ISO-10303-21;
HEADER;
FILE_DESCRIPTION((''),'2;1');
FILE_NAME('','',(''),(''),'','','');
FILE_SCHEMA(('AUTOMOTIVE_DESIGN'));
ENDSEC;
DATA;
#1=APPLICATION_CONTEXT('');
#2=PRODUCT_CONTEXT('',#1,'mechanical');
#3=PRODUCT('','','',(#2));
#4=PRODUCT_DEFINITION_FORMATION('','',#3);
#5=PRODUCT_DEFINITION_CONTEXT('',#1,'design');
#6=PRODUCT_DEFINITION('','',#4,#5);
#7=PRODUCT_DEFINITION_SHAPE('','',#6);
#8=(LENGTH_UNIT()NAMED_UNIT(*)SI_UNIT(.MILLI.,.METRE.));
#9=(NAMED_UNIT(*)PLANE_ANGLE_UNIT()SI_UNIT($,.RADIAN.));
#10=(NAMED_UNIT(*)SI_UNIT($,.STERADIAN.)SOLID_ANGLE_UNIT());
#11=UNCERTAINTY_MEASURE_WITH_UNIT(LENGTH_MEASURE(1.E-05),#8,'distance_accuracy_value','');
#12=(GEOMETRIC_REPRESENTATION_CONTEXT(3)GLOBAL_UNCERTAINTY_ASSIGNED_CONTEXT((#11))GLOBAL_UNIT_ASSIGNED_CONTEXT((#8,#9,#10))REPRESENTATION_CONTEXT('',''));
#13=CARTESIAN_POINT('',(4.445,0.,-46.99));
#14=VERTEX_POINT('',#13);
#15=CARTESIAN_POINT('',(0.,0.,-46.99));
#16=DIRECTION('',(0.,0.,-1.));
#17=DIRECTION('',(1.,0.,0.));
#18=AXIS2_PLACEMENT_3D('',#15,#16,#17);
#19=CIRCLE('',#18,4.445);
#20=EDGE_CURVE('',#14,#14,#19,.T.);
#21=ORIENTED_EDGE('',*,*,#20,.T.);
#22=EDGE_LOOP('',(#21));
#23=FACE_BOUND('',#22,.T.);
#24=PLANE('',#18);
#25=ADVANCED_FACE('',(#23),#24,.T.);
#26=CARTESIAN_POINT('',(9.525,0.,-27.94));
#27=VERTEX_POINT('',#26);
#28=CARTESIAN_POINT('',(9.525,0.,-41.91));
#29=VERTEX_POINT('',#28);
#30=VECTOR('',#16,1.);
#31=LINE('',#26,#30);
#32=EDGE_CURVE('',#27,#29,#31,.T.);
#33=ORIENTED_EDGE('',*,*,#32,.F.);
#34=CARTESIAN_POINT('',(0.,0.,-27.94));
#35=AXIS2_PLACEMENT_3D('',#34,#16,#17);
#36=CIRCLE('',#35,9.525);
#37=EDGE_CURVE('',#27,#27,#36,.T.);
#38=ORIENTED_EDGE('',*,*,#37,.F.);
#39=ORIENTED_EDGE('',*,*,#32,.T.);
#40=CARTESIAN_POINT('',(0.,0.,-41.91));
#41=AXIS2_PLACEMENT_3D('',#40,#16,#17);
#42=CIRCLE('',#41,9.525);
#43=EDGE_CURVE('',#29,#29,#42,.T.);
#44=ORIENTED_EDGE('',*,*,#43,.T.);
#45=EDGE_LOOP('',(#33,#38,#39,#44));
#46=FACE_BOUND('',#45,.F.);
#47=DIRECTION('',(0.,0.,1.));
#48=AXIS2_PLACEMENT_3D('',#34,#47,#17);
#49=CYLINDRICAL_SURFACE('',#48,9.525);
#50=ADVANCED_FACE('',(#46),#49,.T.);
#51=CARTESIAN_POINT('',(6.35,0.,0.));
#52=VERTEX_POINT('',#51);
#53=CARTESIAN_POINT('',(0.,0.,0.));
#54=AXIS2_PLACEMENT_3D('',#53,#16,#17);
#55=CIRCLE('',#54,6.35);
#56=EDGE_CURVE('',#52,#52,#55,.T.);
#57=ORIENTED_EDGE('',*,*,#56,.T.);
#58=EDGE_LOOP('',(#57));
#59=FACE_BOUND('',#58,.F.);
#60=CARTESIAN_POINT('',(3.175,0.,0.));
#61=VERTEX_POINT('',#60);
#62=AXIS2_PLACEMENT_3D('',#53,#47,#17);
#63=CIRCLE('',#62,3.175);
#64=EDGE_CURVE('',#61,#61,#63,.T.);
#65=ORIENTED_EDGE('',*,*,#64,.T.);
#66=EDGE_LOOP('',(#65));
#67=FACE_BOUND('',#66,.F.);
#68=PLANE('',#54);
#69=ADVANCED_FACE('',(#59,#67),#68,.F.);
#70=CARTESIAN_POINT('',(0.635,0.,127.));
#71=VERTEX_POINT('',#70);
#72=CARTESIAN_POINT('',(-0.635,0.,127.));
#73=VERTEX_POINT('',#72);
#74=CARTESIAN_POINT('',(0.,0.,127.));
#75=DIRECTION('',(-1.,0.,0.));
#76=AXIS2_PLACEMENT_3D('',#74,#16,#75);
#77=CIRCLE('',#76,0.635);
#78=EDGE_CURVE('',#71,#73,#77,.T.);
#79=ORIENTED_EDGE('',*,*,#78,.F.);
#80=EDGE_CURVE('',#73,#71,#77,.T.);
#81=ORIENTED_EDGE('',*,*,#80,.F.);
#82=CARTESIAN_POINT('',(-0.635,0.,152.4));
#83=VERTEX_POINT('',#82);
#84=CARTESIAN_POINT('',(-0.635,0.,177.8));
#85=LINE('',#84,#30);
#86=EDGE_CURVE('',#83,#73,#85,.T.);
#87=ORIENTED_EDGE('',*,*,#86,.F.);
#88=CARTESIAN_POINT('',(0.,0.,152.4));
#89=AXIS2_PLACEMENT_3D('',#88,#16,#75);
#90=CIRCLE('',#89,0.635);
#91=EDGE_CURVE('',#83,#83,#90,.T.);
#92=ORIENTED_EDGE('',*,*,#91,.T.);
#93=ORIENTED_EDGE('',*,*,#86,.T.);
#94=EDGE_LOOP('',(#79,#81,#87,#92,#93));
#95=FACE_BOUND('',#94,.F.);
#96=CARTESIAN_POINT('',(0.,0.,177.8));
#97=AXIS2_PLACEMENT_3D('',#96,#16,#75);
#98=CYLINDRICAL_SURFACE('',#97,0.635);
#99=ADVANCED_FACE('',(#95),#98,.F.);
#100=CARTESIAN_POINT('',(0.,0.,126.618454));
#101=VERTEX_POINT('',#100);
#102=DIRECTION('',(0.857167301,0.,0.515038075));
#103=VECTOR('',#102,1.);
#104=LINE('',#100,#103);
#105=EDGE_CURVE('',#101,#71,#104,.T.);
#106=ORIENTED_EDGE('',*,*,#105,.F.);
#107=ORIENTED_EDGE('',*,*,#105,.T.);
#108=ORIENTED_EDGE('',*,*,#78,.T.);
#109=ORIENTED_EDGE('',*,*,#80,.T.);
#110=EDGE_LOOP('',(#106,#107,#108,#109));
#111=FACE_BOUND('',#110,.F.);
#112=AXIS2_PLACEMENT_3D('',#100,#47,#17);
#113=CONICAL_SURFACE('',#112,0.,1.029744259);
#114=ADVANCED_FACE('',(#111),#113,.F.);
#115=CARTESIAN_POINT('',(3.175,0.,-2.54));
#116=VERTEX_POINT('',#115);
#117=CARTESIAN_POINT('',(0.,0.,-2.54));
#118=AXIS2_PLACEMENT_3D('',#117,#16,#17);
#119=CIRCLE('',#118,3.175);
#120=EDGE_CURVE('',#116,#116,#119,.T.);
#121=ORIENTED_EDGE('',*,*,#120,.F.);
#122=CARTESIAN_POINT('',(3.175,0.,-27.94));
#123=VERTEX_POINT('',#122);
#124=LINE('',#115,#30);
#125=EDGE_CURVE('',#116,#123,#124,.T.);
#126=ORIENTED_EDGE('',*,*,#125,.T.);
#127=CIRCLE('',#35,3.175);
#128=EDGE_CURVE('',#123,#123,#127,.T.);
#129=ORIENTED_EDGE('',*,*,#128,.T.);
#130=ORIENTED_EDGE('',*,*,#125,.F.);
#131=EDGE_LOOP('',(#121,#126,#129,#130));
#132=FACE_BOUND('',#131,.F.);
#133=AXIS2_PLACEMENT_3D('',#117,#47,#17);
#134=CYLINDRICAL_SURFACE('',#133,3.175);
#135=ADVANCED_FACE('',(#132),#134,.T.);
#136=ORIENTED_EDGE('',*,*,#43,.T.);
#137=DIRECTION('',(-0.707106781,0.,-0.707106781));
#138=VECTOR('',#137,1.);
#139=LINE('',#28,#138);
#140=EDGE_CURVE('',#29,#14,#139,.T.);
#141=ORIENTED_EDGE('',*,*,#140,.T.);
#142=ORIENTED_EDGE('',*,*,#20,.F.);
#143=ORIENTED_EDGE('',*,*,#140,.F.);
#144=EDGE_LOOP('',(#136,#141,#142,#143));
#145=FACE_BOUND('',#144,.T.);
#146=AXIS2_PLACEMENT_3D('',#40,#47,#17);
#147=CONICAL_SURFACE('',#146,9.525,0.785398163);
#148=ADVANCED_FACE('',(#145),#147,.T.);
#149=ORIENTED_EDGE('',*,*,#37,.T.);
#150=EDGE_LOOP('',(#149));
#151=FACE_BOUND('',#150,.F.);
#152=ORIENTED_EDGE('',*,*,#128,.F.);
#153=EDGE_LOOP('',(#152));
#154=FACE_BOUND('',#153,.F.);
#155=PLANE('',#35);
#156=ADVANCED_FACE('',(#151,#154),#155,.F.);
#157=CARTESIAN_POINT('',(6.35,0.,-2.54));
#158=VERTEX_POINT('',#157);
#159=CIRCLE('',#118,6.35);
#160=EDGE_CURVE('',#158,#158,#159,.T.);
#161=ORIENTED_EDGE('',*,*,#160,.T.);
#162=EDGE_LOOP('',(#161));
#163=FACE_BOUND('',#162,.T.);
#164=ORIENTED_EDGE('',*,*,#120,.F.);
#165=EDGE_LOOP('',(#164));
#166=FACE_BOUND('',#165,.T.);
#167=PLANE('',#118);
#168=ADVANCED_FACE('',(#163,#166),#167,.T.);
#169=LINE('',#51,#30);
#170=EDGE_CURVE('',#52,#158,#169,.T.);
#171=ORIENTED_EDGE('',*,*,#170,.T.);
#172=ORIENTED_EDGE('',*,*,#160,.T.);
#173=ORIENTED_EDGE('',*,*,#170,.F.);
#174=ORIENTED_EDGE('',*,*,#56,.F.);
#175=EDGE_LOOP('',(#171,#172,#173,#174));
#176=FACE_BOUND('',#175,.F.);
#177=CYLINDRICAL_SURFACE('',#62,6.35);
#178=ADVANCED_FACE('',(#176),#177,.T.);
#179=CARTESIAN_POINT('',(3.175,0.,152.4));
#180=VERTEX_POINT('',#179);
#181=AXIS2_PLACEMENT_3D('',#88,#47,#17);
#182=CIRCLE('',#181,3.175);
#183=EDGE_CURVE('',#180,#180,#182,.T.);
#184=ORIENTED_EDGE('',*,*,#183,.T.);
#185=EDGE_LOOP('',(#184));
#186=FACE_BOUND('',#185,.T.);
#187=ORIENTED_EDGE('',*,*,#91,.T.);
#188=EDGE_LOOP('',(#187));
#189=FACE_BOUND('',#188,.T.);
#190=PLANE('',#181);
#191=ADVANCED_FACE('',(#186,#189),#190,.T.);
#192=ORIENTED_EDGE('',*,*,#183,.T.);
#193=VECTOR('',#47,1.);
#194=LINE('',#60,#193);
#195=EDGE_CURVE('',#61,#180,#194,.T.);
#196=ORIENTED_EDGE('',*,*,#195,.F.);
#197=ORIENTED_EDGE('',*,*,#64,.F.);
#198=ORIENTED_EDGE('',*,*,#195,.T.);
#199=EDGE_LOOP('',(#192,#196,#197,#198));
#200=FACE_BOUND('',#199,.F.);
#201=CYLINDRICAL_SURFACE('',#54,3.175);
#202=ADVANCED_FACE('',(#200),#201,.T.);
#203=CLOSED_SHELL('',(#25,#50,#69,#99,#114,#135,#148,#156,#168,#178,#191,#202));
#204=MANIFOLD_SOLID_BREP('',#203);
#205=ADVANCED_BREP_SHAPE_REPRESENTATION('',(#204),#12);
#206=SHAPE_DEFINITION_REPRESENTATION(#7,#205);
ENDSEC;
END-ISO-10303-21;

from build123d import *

# Parameters (mm, degrees)
F0_R      = 3.175
F1_DEPTH  = 152.4
F2_R      = 6.35
F3_DEPTH  = 2.54
F4_R      = 3.175
F5_DEPTH  = 25.4
F6_R      = 9.525
F7_DEPTH  = 19.05
F8_SIZE   = 5.08
F10_D     = 1.27
F10_DEPTH = 25.4
F10_TIP   = 0.3815464931


with BuildPart() as f1:
    # F0 (on Top) → F1 (new body)
    with BuildSketch(Plane.XY):
        Circle(F0_R)
    extrude(amount=F1_DEPTH)

    # F2 (on face) → F3 (join)
    with BuildSketch(Plane(origin=(0, 0, 0), x_dir=(1, 0, 0), z_dir=(0, 0, -1))):
        Circle(F2_R)
    extrude(amount=F3_DEPTH)

    # F4 (on face) → F5 (join)
    with BuildSketch(Plane(origin=(0, 0, -2.54), x_dir=(1, 0, 0), z_dir=(0, 0, -1))):
        Circle(F4_R)
    extrude(amount=F5_DEPTH)

    # F6 (on face) → F7 (join)
    with BuildSketch(Plane(origin=(0, 0, -27.94), x_dir=(1, 0, 0), z_dir=(0, 0, -1))):
        Circle(F6_R)
    extrude(amount=F7_DEPTH)

    # F8
    f8_edges = [f1.edges().sort_by_distance(p)[0] for p in [
        (-9.525, 0, -46.99),
    ]]
    chamfer(f8_edges, length=F8_SIZE)

    # F10
    with Locations(Plane.XY.offset(152.4)):
        with Locations((0, 0)):
            Hole(F10_D / 2, depth=F10_DEPTH)
            with Locations((0, 0, -(F10_DEPTH + F10_TIP / 2))):  # 118° drill point
                Cone(0, F10_D / 2, F10_TIP, mode=Mode.SUBTRACT)


solid = f1.part
